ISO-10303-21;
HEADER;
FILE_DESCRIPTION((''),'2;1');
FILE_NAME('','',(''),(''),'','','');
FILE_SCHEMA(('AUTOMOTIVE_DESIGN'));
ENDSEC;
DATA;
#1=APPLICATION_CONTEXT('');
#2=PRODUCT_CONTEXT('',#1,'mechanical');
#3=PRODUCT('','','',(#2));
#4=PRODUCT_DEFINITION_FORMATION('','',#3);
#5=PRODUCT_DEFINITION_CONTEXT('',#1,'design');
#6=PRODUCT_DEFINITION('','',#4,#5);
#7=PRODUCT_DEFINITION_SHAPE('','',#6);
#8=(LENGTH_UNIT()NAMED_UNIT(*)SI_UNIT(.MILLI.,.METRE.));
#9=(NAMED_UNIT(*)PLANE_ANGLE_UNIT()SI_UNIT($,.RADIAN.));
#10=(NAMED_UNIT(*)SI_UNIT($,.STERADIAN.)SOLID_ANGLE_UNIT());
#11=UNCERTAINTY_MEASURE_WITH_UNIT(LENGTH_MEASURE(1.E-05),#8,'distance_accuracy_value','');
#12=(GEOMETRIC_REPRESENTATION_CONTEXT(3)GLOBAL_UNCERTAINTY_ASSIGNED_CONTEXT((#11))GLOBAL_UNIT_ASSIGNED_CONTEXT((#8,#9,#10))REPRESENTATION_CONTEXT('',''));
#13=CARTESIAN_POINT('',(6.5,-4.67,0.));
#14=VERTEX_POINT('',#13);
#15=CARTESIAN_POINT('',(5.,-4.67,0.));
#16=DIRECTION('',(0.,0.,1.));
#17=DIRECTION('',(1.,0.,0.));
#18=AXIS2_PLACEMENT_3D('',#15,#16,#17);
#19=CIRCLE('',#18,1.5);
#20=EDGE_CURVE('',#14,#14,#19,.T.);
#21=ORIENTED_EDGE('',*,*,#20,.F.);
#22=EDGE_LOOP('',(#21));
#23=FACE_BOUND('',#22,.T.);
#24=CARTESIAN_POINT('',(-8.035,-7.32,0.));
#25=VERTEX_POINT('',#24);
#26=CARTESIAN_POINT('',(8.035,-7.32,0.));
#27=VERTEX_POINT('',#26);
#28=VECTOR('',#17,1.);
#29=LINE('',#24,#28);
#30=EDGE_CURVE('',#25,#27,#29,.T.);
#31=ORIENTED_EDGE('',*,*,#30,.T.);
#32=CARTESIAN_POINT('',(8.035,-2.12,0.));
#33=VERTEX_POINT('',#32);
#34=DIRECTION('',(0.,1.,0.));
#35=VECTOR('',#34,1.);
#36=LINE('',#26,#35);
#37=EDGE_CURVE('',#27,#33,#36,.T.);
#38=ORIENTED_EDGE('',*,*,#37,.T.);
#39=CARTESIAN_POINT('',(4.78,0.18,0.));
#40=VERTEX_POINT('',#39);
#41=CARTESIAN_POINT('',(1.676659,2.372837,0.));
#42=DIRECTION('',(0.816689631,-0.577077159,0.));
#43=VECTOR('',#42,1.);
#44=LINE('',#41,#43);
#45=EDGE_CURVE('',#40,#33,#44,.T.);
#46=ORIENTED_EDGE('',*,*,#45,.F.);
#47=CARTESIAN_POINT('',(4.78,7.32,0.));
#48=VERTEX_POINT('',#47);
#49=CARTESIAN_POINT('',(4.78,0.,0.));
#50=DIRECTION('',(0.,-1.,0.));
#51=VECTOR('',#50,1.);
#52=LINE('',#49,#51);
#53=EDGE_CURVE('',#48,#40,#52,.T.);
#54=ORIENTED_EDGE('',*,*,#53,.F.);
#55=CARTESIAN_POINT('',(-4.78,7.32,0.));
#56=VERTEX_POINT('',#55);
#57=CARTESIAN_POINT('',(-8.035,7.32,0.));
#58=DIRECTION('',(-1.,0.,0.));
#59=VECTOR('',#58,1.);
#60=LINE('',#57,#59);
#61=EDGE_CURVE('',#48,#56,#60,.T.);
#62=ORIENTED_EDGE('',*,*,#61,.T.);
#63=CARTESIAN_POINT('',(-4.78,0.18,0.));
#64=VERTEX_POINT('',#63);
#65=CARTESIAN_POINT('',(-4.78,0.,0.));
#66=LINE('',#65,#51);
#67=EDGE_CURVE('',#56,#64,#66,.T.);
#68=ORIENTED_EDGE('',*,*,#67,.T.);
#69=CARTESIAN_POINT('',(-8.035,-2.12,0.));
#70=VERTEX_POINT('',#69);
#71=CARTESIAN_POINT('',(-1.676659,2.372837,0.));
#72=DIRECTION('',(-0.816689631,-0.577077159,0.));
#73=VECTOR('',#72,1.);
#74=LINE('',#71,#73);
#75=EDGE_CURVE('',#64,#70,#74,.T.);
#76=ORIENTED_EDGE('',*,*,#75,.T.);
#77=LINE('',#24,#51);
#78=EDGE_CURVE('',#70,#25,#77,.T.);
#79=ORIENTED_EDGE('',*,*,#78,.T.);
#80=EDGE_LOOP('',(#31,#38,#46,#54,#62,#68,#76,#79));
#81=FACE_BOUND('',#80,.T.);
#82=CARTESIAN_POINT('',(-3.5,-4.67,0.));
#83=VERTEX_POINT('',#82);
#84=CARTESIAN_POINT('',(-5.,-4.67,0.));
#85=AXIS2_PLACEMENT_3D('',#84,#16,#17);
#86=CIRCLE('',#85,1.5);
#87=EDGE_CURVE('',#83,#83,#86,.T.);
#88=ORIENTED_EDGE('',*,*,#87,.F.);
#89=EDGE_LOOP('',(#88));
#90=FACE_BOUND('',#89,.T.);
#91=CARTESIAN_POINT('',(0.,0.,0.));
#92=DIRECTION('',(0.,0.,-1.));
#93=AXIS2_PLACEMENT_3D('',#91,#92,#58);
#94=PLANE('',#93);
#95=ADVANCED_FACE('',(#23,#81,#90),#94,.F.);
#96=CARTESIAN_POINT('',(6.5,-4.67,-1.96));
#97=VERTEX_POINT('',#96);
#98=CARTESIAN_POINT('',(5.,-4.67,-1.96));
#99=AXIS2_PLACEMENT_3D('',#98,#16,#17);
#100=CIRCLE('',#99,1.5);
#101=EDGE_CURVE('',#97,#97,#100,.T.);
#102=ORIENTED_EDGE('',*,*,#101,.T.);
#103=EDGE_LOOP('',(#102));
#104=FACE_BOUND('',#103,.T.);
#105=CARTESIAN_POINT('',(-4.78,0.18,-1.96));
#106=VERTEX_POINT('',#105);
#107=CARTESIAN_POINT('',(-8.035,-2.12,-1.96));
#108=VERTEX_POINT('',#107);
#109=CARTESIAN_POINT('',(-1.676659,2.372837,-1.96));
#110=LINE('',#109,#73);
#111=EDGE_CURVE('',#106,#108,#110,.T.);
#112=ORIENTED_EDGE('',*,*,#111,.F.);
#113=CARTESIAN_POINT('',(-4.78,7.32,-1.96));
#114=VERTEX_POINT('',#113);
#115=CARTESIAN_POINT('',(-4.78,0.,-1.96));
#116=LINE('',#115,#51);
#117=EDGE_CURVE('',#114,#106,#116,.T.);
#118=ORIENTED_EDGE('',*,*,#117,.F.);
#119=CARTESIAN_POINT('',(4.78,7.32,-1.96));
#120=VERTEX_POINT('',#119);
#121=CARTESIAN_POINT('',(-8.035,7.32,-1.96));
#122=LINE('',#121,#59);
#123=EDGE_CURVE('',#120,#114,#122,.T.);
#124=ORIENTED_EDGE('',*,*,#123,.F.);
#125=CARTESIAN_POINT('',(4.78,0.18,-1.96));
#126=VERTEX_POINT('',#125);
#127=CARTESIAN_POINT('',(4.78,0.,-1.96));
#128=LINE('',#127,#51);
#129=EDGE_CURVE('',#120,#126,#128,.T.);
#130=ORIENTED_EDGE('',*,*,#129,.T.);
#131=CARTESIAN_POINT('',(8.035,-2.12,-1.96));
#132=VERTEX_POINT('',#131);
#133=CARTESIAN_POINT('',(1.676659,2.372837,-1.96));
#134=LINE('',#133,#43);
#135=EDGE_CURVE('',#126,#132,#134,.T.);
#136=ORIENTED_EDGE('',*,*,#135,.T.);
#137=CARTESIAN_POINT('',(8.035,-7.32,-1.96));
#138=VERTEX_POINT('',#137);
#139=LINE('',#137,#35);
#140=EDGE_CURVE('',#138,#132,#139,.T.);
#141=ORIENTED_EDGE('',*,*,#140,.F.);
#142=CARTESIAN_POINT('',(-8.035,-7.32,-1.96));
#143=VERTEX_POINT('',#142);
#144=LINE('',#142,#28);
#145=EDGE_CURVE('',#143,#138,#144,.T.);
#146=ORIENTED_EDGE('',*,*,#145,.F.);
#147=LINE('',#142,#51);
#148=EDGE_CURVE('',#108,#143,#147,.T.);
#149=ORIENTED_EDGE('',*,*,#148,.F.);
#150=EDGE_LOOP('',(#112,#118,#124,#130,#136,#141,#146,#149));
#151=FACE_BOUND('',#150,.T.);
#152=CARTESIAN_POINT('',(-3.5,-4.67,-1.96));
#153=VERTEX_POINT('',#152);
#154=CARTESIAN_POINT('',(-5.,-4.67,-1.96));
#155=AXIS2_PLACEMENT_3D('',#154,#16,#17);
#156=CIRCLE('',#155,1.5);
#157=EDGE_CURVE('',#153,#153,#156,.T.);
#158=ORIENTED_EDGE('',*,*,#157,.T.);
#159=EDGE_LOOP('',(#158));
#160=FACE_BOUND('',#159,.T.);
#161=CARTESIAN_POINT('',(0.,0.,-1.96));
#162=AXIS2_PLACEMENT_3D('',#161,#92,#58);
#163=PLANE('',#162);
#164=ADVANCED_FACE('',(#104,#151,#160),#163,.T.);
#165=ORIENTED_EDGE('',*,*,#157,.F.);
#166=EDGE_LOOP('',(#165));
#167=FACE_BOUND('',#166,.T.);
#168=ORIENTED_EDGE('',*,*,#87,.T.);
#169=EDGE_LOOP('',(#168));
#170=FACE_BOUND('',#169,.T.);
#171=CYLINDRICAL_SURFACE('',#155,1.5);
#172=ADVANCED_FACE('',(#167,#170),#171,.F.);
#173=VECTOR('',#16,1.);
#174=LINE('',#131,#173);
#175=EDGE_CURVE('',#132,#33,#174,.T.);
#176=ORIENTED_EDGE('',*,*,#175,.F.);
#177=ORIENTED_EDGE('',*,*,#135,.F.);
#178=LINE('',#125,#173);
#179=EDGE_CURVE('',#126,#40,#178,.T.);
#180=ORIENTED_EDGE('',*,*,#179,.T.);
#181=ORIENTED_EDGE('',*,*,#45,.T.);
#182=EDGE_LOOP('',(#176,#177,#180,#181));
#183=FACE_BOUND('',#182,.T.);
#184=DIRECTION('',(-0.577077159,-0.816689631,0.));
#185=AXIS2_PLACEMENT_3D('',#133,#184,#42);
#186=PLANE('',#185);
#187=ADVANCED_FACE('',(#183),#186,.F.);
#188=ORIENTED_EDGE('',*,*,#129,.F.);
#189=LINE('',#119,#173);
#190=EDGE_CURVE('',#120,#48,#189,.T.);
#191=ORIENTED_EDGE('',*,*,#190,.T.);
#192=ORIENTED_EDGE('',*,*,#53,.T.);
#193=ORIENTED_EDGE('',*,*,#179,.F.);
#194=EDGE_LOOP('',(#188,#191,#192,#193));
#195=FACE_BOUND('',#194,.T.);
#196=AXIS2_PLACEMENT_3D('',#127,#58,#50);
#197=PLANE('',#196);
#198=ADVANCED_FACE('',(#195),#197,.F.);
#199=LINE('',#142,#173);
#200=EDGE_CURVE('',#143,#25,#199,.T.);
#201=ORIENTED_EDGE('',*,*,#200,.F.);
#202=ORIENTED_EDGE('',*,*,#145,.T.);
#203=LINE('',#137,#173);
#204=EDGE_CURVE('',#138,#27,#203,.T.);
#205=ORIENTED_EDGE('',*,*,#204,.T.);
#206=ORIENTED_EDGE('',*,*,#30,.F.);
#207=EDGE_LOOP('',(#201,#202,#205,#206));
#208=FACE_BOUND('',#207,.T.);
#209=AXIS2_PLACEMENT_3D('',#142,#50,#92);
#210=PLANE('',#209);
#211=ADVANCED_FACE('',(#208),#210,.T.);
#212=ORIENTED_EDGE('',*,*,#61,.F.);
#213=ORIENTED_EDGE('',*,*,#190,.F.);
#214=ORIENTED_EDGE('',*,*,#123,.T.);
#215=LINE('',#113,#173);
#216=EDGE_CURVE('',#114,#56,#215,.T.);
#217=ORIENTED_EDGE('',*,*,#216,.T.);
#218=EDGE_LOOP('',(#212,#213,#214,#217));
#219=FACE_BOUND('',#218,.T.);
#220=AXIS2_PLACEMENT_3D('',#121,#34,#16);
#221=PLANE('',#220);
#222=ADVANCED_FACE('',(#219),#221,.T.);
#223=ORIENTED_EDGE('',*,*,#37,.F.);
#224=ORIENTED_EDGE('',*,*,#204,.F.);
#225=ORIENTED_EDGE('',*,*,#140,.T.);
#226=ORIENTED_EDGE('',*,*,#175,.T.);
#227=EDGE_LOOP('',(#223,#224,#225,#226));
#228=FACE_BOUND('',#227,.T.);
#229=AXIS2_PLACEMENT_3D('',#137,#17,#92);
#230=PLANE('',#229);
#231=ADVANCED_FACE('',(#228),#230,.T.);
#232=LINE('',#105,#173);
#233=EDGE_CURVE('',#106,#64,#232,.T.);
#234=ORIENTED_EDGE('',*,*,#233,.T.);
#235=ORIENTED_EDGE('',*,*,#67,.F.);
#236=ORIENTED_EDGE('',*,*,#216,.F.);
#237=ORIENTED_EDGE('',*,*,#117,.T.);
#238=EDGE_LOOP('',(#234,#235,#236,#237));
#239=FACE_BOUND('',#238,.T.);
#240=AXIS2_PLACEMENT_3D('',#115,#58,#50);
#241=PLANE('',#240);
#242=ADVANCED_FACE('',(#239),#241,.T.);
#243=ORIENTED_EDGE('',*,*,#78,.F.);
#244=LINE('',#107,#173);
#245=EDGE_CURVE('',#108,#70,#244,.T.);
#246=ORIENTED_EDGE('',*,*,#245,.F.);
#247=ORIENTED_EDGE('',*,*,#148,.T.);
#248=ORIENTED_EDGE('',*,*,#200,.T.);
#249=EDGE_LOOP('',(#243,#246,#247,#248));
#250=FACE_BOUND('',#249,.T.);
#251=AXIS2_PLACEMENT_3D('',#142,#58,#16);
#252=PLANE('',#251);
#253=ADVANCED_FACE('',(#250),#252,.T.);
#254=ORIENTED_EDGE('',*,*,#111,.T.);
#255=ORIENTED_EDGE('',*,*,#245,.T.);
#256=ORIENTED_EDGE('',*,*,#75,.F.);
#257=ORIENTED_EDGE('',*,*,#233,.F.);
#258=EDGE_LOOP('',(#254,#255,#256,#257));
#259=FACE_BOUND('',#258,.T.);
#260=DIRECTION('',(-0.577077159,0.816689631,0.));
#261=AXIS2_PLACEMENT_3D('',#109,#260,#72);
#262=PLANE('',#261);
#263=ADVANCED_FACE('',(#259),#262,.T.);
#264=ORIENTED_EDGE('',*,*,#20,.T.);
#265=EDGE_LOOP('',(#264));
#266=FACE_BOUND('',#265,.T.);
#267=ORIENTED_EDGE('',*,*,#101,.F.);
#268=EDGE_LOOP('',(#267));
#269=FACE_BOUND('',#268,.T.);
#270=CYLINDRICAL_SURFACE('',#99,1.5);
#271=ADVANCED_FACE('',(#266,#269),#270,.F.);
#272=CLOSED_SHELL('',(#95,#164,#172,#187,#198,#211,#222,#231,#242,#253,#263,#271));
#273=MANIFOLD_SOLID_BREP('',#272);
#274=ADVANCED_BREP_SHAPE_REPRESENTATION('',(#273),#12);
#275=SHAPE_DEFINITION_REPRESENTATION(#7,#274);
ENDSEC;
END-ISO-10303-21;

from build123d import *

# Parameters (mm, degrees)
SCHIZZO1_W                   = 16.07
SCHIZZO1_H                   = 14.64
ESTRUSIONE_ESTRUSIONE1_DEPTH = 1.96
TAGLIO_ESTRUSIONE1_DEPTH     = 12.044692164
SCHIZZO3_R                   = 1.5
TAGLIO_ESTRUSIONE2_DEPTH     = 12.044692164


with BuildPart() as part:
    # Schizzo1 → Estrusione-Estrusione1 (new body)
    with BuildSketch(Plane.XY):
        Rectangle(SCHIZZO1_W, SCHIZZO1_H)
    extrude(amount=-ESTRUSIONE_ESTRUSIONE1_DEPTH)

    # Schizzo2 → Taglio-Estrusione1 (cut, through all)
    with BuildSketch(Plane.XY):
        Polygon((-4.78, 0.18), (-4.78, 7.32), (-8.035, 7.32), (-8.035, -2.12), align=None)
        Polygon((8.035, 7.32), (4.78, 7.32), (4.78, 0.18), (8.035, -2.12), align=None)
    extrude(amount=-TAGLIO_ESTRUSIONE1_DEPTH, mode=Mode.SUBTRACT)

    # Schizzo3 → Taglio-Estrusione2 (cut, through all)
    with BuildSketch(Plane.XY):
        with Locations((-5, -4.67)):
            Circle(SCHIZZO3_R)
        with Locations((5, -4.67)):
            Circle(SCHIZZO3_R)
    extrude(amount=-TAGLIO_ESTRUSIONE2_DEPTH, mode=Mode.SUBTRACT)


solid = part.part
